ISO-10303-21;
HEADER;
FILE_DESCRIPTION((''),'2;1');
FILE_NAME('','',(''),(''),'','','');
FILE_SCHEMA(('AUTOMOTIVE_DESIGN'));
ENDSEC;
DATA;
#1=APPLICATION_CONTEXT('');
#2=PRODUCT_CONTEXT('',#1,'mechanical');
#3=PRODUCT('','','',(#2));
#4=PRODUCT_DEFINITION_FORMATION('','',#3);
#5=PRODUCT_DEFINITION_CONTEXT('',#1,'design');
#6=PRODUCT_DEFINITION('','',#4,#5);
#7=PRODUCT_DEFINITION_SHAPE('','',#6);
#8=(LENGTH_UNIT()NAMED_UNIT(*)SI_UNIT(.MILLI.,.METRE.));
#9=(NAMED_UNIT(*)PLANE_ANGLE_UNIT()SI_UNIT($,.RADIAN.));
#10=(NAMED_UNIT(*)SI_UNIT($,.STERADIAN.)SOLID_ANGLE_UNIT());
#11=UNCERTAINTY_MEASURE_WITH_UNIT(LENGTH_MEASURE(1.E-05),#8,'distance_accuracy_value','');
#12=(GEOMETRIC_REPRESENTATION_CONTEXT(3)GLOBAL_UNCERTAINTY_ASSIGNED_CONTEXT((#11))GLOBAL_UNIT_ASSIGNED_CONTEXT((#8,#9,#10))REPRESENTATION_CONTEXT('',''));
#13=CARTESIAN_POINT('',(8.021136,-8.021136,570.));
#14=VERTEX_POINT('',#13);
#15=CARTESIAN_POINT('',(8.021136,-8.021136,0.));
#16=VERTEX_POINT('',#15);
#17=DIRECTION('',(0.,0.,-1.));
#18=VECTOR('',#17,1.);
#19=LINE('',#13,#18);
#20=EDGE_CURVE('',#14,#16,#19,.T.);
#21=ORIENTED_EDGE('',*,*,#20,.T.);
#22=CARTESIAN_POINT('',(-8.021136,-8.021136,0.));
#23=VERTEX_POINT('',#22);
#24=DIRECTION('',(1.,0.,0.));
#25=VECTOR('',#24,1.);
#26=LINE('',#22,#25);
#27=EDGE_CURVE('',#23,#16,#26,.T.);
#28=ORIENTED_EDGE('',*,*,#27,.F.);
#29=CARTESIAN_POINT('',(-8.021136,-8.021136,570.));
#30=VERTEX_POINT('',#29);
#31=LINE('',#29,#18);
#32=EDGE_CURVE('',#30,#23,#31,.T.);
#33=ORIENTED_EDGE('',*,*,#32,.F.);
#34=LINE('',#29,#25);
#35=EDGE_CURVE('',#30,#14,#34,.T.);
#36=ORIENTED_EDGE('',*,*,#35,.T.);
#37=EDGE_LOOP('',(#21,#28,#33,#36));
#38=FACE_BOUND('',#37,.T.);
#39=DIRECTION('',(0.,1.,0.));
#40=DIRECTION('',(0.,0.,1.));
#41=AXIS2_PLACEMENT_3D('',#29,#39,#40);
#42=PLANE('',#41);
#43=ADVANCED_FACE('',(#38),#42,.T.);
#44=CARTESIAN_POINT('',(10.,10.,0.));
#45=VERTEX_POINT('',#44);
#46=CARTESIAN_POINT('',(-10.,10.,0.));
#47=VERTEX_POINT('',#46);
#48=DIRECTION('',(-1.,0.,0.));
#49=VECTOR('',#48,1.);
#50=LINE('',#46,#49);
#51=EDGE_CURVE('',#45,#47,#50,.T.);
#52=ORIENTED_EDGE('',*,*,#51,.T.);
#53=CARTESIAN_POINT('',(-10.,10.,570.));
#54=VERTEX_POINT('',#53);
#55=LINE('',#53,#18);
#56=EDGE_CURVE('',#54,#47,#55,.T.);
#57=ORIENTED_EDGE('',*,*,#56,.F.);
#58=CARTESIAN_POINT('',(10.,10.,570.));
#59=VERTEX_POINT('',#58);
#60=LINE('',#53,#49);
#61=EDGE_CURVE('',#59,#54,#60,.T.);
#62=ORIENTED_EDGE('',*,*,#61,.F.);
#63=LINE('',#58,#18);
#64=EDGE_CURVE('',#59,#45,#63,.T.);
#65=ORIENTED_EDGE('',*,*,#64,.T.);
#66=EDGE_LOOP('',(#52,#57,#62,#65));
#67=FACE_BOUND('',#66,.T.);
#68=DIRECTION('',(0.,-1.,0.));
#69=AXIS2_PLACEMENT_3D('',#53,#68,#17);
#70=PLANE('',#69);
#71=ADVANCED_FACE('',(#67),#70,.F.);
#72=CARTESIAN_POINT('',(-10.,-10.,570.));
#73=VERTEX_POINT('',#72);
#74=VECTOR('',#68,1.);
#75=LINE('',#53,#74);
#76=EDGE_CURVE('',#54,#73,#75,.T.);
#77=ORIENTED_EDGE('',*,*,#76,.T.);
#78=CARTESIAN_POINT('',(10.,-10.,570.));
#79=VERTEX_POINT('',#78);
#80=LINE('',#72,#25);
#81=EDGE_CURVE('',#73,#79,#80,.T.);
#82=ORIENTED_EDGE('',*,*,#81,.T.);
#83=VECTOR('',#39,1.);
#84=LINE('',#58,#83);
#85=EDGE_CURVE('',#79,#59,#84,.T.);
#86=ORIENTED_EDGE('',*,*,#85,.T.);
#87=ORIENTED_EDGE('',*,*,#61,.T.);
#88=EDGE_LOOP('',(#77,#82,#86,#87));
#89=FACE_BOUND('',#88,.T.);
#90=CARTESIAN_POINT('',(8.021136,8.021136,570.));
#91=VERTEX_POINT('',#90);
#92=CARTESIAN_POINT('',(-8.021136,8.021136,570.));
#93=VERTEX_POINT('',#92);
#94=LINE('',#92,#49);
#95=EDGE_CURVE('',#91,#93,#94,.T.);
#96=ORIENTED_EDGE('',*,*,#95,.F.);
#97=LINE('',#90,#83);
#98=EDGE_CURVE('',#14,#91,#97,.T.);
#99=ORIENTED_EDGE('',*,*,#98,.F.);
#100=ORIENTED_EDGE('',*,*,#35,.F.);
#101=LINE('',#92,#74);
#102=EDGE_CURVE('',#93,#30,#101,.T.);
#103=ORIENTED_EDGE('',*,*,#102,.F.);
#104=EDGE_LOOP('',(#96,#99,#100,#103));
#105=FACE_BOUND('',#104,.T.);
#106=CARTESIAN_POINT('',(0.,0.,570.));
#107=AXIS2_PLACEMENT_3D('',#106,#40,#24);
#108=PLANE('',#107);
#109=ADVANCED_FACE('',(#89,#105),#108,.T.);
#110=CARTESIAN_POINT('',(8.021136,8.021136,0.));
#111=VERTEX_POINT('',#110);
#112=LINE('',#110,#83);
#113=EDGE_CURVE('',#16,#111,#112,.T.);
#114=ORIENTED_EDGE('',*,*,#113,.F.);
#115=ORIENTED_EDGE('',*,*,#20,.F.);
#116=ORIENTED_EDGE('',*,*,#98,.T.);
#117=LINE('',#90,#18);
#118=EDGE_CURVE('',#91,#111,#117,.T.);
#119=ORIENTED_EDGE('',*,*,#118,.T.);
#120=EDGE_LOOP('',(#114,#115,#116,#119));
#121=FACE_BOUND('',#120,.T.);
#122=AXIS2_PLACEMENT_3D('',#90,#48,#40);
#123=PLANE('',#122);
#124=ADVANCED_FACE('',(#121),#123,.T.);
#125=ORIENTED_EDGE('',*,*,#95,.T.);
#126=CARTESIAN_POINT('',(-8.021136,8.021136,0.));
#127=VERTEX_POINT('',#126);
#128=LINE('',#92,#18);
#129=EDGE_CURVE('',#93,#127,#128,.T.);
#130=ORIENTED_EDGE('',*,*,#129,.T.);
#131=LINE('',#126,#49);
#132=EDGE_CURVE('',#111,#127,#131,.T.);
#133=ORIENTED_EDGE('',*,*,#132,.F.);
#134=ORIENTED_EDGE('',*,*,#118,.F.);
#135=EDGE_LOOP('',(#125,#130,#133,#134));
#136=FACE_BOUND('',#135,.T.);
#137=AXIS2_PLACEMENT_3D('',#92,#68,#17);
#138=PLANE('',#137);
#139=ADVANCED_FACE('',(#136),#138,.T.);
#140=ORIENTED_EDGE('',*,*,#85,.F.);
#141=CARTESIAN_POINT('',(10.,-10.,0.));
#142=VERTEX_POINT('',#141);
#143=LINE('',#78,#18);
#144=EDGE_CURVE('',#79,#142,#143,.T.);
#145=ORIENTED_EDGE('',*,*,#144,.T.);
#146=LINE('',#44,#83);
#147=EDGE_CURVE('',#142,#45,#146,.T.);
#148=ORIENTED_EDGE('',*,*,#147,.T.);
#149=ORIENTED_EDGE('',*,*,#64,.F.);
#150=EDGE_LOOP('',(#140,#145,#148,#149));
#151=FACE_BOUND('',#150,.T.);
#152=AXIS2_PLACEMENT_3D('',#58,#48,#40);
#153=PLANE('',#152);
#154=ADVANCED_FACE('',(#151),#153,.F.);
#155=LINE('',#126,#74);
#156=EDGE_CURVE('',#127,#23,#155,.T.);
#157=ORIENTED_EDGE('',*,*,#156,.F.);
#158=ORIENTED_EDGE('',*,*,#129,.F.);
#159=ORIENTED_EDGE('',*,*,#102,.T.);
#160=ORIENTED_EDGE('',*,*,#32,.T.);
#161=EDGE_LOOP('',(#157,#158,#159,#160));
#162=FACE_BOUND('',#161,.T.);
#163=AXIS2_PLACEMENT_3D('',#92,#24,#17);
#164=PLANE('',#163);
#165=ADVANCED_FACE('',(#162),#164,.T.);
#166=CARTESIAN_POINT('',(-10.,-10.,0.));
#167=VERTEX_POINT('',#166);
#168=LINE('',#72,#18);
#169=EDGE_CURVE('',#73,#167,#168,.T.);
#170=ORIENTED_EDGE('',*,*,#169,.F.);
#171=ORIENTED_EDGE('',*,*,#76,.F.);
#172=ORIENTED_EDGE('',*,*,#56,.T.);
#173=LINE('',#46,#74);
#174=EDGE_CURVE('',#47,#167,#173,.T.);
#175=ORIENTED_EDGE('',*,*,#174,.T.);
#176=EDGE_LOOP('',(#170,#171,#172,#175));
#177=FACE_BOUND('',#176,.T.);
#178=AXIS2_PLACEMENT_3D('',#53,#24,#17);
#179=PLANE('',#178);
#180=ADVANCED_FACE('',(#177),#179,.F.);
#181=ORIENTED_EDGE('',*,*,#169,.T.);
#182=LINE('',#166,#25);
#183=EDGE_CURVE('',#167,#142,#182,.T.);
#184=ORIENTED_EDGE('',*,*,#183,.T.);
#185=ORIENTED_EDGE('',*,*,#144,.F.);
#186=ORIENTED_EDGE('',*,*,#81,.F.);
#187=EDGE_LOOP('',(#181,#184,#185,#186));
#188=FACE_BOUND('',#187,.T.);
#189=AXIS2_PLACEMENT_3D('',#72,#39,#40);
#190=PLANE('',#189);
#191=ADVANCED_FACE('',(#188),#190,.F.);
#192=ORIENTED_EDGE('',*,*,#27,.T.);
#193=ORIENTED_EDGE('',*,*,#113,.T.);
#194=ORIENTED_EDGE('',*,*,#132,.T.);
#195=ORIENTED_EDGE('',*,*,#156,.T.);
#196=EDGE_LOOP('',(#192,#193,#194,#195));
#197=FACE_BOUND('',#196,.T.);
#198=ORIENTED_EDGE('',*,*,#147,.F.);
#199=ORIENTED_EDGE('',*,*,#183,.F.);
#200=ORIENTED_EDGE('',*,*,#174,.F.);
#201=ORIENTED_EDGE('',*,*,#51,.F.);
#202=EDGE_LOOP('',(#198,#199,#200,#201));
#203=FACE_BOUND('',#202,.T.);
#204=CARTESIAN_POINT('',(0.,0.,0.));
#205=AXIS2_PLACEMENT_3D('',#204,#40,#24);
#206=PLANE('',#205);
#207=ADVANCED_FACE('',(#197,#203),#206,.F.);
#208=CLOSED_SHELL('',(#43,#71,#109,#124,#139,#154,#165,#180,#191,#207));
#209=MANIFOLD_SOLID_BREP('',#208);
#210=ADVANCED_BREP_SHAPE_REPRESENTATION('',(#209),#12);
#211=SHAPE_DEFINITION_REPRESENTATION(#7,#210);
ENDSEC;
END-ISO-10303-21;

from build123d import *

# Parameters (mm, degrees)
SKETCH1_W           = 20
SKETCH1_H           = 20
SKETCH1_W_2         = 16.042271314
SKETCH1_H_2         = 16.042271314
BOSS_EXTRUDE1_DEPTH = 570


with BuildPart() as part:
    # Sketch1 → Boss-Extrude1 (new body)
    with BuildSketch(Plane.XY):
        Rectangle(SKETCH1_W, SKETCH1_H)
        Rectangle(SKETCH1_W_2, SKETCH1_H_2, mode=Mode.SUBTRACT)
    extrude(amount=BOSS_EXTRUDE1_DEPTH)


solid = part.part
